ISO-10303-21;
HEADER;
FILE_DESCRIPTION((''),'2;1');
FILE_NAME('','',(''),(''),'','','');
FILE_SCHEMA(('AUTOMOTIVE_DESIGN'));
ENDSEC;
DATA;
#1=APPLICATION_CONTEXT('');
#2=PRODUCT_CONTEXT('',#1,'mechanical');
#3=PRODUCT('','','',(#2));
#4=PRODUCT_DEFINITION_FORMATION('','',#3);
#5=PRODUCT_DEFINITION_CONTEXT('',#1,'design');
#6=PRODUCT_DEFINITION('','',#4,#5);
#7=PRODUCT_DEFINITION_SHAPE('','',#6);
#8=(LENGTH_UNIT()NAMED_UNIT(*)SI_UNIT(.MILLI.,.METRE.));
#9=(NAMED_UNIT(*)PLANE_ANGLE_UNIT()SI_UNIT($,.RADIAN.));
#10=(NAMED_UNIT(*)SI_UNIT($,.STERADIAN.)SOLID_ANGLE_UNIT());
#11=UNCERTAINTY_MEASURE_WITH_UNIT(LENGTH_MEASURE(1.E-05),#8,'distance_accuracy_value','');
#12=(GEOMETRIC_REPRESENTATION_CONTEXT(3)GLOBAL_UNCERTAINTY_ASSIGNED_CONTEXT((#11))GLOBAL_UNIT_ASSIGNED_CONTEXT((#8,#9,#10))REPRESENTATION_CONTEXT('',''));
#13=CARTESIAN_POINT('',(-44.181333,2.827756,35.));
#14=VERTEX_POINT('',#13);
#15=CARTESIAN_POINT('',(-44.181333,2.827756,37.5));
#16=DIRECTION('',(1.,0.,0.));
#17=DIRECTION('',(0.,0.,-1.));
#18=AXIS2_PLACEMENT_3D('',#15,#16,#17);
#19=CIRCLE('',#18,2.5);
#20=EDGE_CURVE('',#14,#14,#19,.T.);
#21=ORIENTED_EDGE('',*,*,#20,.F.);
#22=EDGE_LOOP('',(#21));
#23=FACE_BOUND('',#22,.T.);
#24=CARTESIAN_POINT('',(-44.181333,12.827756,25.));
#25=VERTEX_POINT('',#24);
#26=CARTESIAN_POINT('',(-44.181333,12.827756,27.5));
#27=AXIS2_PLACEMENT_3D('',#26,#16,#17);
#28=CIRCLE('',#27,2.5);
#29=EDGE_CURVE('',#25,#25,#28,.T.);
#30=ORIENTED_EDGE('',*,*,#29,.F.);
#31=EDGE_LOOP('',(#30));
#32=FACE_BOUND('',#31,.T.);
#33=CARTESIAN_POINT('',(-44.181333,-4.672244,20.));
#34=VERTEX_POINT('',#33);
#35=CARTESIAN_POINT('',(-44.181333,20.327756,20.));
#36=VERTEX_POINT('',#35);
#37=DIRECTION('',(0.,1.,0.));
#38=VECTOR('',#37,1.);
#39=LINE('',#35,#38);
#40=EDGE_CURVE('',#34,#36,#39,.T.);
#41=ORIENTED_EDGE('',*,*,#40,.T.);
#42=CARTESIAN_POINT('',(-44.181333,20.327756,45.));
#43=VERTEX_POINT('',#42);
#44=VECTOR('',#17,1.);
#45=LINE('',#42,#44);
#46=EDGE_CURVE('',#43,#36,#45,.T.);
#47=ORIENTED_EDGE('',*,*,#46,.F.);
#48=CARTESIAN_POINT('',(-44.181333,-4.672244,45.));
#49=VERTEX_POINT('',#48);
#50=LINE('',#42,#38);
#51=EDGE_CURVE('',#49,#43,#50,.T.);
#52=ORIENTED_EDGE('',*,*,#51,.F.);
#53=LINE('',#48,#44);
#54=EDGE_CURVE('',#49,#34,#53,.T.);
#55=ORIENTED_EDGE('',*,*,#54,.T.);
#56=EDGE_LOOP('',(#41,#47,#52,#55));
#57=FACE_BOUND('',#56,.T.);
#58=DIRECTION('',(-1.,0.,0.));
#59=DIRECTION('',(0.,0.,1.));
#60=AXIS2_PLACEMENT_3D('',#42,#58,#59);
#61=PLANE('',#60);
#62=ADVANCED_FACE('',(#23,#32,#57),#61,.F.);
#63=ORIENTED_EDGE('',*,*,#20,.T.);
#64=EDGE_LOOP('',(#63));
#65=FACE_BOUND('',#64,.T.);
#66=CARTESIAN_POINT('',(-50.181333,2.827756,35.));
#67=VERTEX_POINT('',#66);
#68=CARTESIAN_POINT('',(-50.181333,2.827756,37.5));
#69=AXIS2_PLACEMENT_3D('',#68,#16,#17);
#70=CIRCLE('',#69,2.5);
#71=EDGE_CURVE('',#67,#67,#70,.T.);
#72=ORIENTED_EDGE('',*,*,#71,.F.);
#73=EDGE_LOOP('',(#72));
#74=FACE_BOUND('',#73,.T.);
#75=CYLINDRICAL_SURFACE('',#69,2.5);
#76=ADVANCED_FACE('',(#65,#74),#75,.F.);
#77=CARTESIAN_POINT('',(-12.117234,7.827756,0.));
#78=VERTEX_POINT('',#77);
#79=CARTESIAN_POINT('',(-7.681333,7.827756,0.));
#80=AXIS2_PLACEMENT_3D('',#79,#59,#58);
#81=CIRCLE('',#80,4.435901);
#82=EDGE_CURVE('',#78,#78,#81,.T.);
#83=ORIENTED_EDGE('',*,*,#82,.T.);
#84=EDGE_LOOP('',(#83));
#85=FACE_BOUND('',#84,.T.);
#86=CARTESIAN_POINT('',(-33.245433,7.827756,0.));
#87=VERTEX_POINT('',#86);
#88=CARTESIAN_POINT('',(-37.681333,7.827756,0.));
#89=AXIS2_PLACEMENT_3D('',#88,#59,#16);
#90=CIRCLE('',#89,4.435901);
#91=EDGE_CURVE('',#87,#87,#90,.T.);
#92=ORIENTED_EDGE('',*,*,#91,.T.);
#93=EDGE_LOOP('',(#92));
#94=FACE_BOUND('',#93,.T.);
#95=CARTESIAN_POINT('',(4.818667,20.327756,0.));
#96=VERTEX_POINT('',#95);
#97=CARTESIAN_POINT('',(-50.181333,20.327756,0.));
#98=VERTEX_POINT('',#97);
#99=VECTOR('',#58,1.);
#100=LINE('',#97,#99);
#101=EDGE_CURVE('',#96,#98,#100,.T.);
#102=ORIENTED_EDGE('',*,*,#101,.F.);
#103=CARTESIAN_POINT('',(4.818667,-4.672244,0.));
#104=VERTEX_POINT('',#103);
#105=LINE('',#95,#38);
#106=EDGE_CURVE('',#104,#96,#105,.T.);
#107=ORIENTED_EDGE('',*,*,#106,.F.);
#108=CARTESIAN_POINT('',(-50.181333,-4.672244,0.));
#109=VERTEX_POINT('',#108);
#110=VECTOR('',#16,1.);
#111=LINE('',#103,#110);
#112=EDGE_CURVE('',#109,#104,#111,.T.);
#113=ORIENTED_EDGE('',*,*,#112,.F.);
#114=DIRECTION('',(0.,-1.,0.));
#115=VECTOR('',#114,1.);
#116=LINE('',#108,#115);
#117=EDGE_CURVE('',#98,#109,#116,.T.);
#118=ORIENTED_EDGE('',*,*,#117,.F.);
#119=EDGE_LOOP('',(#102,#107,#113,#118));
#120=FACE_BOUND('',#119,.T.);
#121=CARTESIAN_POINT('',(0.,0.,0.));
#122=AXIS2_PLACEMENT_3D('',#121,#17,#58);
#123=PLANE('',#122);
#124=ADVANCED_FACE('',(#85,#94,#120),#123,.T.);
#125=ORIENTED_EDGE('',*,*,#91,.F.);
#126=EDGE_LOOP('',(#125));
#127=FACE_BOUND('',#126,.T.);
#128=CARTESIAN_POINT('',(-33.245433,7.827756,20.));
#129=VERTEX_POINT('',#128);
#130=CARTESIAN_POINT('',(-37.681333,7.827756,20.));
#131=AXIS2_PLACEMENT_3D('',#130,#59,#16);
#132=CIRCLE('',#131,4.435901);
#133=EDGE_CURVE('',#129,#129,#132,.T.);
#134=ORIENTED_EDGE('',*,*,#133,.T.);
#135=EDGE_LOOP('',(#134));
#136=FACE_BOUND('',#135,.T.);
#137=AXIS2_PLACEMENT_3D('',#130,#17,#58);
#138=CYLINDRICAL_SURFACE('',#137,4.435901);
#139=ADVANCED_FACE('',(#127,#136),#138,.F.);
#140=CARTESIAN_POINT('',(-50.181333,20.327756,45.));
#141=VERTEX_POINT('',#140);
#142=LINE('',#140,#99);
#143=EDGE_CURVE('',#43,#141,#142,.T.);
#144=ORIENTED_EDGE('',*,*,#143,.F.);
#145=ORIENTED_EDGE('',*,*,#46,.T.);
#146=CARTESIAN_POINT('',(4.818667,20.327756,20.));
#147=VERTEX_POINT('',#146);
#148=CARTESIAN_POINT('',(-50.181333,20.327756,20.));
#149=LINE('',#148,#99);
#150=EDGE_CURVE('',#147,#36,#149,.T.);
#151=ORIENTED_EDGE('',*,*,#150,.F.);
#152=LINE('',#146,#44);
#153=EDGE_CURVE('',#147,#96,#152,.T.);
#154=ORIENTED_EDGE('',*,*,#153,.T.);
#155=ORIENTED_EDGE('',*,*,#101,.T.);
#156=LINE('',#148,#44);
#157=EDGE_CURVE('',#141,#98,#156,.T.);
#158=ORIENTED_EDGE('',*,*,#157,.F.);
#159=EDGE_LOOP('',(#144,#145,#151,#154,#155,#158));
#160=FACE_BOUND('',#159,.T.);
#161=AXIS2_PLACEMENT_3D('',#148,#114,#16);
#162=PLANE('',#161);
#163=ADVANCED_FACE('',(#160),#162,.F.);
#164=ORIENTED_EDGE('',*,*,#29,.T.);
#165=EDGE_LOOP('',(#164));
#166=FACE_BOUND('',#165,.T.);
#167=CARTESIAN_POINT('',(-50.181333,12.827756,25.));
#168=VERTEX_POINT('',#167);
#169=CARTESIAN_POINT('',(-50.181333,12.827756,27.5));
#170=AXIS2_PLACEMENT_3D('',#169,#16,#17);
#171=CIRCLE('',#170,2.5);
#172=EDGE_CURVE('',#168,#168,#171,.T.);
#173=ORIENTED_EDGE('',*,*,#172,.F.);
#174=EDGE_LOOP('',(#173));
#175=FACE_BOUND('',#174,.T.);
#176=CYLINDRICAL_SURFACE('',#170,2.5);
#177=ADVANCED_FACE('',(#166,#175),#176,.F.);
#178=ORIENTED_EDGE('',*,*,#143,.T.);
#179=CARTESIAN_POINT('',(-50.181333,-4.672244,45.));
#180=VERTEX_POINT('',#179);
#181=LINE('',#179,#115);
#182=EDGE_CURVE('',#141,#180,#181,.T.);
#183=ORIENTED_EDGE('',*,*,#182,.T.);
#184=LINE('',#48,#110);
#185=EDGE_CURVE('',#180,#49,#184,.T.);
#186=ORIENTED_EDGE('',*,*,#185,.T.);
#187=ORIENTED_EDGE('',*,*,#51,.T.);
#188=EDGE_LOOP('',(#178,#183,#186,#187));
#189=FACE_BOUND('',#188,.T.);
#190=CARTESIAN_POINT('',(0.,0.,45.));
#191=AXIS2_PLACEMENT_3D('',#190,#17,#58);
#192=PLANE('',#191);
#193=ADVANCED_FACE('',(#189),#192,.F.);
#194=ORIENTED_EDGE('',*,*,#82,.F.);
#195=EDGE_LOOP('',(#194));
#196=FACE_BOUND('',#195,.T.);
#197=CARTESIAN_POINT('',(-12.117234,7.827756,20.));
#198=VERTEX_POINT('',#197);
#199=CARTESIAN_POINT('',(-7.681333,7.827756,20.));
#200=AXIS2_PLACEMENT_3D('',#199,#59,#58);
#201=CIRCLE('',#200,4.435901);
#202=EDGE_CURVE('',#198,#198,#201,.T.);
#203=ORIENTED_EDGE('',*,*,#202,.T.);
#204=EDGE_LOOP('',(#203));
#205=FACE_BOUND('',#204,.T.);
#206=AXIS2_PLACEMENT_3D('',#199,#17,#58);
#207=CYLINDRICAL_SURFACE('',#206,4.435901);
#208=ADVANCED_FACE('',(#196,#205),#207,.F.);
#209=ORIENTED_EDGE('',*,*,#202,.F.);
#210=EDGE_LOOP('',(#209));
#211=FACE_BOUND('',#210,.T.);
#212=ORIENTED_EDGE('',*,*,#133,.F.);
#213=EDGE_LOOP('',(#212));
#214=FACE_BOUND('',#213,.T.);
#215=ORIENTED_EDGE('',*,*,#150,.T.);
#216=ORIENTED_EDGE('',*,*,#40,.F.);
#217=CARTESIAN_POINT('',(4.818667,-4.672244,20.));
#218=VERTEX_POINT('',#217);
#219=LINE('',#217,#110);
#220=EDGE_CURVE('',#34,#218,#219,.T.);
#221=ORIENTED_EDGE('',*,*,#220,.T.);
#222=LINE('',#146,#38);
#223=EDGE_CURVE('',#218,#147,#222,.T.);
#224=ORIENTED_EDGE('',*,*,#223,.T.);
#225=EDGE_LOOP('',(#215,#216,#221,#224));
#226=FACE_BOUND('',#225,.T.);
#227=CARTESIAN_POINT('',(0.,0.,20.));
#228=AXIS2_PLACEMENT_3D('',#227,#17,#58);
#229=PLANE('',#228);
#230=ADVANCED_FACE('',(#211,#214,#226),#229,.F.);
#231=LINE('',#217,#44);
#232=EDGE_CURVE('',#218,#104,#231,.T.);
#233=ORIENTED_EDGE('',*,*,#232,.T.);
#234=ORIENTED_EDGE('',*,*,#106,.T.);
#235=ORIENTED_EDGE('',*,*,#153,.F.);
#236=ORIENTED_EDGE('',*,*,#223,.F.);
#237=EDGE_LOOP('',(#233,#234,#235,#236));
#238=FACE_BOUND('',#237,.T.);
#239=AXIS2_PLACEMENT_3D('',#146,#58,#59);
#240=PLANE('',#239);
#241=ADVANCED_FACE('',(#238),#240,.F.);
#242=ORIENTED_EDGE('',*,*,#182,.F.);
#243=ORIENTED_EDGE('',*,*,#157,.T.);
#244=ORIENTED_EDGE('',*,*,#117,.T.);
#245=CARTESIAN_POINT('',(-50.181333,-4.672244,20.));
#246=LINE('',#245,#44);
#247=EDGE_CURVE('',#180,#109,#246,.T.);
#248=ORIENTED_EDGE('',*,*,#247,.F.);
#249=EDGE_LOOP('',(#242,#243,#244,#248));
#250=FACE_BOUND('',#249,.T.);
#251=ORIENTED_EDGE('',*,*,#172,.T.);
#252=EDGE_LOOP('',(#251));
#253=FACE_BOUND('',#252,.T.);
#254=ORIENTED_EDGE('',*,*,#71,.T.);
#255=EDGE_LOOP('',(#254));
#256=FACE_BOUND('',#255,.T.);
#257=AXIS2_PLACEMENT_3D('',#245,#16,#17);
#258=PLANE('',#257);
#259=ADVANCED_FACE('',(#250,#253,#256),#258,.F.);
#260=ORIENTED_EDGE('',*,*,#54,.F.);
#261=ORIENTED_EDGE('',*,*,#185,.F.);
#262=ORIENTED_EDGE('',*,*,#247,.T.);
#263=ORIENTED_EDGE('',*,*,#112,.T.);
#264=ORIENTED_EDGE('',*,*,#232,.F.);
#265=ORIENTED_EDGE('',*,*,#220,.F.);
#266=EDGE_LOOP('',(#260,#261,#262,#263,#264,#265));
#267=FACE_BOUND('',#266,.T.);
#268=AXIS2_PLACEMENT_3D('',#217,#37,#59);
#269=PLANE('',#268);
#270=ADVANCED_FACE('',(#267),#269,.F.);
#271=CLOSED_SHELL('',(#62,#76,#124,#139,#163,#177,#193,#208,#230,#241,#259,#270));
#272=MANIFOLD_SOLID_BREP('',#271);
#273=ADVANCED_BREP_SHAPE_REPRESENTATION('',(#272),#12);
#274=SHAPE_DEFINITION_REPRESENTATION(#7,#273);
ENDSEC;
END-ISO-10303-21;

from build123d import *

# Parameters (mm, degrees)
SKETCH_1_W          = 55
SKETCH_1_H          = 25
SKETCH_1_R          = 4.435900657
EXTRUDE_1_DEPTH     = 20
SKETCH_2_W          = 6
SKETCH_2_H          = 25
EXTRUDE_2_DEPTH     = 25
SKETCH_3_R          = 2.5
CUT_EXTRUDE_1_DEPTH = 70.564485554


with BuildPart() as part:
    # 草图1 → 凸台-拉伸1 (new body)
    with BuildSketch(Plane.XY):
        with Locations((-22.681333333, 7.827755665)):
            Rectangle(SKETCH_1_W, SKETCH_1_H)
        with Locations((-37.681333333, 7.827755665)):
            Circle(SKETCH_1_R, mode=Mode.SUBTRACT)
        with Locations(Location((-7.681333333, 7.827755665, 0), (0, 0, 180))):
            Circle(SKETCH_1_R, mode=Mode.SUBTRACT)
    extrude(amount=EXTRUDE_1_DEPTH)

    # 草图2 → 凸台-拉伸2 (add)
    with BuildSketch(Plane.XY.offset(20)):
        with Locations((-47.181333333, 7.827755665)):
            Rectangle(SKETCH_2_W, SKETCH_2_H)
    extrude(amount=EXTRUDE_2_DEPTH)

    # 草图3 → 切除-拉伸1 (cut, through all)
    with BuildSketch(Plane(origin=(-44.181333333, 0, 0), x_dir=(0, 0, -1), z_dir=(1, 0, 0))):
        with Locations((-37.5, 2.827755665)):
            Circle(SKETCH_3_R)
        with Locations((-27.5, 12.827755665)):
            Circle(SKETCH_3_R)
    extrude(amount=-CUT_EXTRUDE_1_DEPTH, mode=Mode.SUBTRACT)


solid = part.part
